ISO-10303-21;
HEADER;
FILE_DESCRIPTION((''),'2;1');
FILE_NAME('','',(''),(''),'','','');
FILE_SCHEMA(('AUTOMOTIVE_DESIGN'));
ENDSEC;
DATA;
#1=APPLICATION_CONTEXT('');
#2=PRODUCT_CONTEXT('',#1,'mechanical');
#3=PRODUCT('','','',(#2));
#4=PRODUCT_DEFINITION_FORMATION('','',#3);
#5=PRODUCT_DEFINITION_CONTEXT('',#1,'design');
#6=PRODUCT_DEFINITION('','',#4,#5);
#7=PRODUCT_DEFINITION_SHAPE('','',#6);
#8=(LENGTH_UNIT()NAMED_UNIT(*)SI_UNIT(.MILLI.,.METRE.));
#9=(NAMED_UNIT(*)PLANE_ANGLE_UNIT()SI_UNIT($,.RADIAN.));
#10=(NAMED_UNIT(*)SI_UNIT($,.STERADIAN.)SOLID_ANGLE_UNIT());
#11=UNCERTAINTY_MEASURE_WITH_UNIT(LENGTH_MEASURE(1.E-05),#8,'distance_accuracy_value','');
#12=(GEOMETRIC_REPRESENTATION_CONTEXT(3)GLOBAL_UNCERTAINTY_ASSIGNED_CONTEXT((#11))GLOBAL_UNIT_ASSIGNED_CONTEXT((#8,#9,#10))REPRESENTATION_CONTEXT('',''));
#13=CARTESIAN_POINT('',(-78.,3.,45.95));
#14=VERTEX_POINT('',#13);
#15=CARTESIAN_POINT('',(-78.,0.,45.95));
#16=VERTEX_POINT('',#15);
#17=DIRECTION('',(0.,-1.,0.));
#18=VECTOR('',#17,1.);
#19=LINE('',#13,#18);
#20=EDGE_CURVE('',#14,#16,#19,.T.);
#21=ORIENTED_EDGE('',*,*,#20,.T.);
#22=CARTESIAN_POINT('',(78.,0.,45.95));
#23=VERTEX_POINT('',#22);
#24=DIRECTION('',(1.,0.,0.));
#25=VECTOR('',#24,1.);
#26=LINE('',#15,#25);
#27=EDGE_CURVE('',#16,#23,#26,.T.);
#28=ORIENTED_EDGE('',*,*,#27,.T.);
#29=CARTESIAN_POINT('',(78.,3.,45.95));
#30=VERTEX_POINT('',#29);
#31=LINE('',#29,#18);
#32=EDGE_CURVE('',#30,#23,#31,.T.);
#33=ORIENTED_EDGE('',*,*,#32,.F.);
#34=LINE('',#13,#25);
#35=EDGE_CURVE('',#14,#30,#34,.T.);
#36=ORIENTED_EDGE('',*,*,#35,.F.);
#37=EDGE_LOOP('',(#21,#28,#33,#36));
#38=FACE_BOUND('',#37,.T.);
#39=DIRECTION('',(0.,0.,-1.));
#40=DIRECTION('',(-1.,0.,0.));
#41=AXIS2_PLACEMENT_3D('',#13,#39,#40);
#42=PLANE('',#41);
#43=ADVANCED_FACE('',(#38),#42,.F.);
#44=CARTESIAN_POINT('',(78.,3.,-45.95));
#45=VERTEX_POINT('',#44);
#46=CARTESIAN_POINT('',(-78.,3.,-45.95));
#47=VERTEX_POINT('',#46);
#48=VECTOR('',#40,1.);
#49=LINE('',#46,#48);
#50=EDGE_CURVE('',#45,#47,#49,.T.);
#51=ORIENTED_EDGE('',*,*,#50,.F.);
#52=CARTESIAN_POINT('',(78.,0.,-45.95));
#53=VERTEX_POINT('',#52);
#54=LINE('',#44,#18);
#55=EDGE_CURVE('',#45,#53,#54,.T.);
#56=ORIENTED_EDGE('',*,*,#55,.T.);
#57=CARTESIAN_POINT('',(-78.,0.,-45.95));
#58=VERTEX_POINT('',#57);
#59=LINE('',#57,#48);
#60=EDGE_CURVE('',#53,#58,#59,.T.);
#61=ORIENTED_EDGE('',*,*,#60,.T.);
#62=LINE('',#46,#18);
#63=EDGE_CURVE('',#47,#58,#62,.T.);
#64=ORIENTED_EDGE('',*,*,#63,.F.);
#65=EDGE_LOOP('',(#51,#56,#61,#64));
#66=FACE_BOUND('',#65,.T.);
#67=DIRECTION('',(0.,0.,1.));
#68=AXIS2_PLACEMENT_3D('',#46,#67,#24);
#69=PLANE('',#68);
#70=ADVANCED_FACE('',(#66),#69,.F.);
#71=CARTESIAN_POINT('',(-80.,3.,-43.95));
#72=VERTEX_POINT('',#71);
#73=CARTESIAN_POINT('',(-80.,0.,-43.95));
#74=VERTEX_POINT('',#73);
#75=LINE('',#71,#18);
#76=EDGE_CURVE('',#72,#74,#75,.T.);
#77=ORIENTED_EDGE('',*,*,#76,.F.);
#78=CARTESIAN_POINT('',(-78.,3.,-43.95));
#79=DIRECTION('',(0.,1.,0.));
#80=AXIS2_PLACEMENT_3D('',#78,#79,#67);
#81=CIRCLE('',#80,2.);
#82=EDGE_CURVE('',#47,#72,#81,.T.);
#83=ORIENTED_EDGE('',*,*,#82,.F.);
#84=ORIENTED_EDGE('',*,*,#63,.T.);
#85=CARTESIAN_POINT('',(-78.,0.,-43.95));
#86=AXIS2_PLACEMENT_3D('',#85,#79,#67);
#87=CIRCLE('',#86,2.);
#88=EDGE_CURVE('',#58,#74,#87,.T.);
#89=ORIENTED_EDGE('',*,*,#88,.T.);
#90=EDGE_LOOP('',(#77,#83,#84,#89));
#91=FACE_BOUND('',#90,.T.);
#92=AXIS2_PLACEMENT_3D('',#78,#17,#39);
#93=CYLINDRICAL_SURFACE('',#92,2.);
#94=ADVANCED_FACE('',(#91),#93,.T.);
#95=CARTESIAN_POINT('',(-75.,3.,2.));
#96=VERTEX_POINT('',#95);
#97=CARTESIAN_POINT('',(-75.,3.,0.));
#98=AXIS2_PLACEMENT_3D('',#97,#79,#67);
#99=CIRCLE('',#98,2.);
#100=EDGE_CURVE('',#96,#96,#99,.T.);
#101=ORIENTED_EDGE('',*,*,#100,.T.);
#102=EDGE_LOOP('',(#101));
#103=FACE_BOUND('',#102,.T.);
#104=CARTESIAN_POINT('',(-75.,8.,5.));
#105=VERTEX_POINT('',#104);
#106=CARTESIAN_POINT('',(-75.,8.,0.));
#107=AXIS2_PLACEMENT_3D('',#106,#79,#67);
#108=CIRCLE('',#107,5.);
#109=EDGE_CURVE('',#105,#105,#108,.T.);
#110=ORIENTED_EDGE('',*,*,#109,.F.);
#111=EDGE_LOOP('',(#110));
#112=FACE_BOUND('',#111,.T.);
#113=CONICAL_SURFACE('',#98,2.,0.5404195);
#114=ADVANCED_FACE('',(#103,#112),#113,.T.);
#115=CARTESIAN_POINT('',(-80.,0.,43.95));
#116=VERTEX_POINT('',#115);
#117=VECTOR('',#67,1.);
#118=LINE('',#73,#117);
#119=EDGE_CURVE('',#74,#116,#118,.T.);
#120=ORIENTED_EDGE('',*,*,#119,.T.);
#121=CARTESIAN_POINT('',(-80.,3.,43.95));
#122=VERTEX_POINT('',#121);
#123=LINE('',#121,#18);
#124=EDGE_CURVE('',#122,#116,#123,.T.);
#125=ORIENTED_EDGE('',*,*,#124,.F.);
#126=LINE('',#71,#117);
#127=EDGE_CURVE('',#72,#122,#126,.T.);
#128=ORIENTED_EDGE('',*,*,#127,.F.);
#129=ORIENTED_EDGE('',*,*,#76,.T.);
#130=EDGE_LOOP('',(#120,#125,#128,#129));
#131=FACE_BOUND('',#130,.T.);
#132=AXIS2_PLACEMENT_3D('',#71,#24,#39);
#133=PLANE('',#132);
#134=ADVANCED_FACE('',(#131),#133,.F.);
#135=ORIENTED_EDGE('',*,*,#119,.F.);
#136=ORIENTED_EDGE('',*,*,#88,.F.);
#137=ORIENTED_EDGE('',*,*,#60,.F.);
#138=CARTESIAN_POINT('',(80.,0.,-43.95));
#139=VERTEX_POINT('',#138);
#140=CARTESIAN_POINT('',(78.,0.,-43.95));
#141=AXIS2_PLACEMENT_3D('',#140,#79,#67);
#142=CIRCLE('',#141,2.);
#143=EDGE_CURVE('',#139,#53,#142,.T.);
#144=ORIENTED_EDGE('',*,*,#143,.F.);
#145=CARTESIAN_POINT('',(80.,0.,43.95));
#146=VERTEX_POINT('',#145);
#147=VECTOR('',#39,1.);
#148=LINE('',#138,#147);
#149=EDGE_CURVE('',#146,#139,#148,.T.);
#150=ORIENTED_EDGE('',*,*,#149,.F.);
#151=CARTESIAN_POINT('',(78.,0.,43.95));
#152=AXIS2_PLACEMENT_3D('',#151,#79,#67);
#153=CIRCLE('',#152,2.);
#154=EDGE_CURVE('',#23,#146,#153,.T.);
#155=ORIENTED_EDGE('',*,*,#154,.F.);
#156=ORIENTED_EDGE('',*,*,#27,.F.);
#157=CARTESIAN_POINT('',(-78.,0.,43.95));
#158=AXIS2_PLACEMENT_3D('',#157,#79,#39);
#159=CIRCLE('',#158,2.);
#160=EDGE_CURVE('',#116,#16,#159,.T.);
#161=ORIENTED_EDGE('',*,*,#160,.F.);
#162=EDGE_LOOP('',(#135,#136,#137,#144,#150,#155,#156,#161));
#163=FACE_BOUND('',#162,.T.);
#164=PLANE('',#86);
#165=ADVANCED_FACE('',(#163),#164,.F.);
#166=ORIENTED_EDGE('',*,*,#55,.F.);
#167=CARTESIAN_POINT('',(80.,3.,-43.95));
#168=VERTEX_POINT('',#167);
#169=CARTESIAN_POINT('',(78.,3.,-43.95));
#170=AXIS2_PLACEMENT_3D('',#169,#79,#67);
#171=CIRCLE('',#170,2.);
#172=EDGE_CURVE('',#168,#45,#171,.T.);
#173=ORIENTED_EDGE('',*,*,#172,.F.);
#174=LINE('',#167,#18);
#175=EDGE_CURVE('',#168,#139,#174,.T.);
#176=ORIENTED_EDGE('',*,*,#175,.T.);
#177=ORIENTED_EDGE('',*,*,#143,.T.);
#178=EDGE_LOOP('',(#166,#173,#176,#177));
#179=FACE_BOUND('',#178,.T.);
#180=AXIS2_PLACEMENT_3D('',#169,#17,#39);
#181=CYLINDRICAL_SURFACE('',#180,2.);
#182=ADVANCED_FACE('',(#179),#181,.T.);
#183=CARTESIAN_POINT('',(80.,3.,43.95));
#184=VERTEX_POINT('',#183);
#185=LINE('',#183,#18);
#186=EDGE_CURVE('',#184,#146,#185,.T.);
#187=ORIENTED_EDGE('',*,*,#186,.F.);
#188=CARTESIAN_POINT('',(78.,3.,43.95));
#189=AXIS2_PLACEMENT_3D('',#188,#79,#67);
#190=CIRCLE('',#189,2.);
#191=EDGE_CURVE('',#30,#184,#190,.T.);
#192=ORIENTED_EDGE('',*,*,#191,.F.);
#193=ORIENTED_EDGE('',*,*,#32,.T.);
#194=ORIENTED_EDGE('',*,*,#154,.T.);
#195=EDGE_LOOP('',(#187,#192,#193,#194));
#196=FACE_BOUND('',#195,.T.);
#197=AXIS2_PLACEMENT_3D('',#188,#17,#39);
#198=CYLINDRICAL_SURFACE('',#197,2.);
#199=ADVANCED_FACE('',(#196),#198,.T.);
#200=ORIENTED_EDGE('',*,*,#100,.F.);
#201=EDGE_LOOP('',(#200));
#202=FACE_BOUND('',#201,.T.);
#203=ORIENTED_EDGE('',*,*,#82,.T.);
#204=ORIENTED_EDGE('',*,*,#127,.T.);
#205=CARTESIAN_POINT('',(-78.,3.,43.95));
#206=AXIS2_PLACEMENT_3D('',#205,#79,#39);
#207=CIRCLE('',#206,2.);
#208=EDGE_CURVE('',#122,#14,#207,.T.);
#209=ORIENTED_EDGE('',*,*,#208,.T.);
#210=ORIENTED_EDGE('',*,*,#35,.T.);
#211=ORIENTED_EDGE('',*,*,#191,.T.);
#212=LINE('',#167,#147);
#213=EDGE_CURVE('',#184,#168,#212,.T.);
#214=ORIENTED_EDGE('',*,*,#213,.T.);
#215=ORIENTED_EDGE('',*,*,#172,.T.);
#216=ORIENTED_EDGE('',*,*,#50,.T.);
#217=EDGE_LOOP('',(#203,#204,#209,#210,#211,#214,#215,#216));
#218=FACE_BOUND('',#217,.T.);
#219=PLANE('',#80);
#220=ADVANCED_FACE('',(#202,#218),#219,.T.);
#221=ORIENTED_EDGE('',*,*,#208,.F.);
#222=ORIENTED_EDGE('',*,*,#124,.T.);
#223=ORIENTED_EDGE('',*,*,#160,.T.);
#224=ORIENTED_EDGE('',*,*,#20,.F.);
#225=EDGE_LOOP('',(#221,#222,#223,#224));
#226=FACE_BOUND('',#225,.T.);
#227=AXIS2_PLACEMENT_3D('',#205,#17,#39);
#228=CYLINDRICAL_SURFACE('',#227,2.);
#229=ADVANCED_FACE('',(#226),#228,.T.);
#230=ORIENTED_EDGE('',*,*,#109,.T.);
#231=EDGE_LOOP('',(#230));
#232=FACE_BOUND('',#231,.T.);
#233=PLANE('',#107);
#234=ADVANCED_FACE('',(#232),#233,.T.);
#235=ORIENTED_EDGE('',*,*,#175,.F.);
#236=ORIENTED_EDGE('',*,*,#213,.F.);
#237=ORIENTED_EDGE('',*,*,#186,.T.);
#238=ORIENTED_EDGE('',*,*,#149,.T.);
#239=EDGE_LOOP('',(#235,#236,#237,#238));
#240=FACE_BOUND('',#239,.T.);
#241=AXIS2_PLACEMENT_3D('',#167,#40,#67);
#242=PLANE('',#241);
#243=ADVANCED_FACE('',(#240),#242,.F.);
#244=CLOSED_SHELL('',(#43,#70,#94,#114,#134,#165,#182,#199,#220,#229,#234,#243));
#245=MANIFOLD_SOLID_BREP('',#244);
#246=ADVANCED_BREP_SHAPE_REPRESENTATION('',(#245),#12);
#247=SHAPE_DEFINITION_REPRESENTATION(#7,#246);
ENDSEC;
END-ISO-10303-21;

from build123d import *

# Parameters (mm, degrees)
BOSS_EXTRUDE3_DEPTH = 3
SKETCH3_R           = 5
SKETCH2_R           = 2


with BuildPart() as part:
    # Sketch1 → Boss-Extrude3 (new body)
    with BuildSketch(Plane(origin=(0, 0, 0), x_dir=(1, 0, 0), z_dir=(0, 1, 0))):
        with BuildLine():
            Line((-78, 45.95), (78, 45.95))
            ThreePointArc((78, 45.95), (79.414213562, 45.364213562), (80, 43.95))
            Line((80, 43.95), (80, -43.95))
            ThreePointArc((80, -43.95), (79.414213562, -45.364213562), (78, -45.95))
            Line((78, -45.95), (-78, -45.95))
            ThreePointArc((-78, -45.95), (-79.414213562, -45.364213562), (-80, -43.95))
            Line((-80, -43.95), (-80, 43.95))
            ThreePointArc((-80, 43.95), (-79.414213562, 45.364213562), (-78, 45.95))
        make_face()
    extrude(amount=BOSS_EXTRUDE3_DEPTH)

    # Sketch3 → Loft1 section 0
    with BuildSketch(Plane(origin=(0, 8, 0), x_dir=(1, 0, 0), z_dir=(0, 1, 0))):
        with Locations((-75, 0)):
            Circle(SKETCH3_R)
    # Sketch2 → Loft1 section 1
    with BuildSketch(Plane(origin=(0, 3, 0), x_dir=(1, 0, 0), z_dir=(0, 1, 0))):
        with Locations((-75, 0)):
            Circle(SKETCH2_R)
    loft()


solid = part.part
